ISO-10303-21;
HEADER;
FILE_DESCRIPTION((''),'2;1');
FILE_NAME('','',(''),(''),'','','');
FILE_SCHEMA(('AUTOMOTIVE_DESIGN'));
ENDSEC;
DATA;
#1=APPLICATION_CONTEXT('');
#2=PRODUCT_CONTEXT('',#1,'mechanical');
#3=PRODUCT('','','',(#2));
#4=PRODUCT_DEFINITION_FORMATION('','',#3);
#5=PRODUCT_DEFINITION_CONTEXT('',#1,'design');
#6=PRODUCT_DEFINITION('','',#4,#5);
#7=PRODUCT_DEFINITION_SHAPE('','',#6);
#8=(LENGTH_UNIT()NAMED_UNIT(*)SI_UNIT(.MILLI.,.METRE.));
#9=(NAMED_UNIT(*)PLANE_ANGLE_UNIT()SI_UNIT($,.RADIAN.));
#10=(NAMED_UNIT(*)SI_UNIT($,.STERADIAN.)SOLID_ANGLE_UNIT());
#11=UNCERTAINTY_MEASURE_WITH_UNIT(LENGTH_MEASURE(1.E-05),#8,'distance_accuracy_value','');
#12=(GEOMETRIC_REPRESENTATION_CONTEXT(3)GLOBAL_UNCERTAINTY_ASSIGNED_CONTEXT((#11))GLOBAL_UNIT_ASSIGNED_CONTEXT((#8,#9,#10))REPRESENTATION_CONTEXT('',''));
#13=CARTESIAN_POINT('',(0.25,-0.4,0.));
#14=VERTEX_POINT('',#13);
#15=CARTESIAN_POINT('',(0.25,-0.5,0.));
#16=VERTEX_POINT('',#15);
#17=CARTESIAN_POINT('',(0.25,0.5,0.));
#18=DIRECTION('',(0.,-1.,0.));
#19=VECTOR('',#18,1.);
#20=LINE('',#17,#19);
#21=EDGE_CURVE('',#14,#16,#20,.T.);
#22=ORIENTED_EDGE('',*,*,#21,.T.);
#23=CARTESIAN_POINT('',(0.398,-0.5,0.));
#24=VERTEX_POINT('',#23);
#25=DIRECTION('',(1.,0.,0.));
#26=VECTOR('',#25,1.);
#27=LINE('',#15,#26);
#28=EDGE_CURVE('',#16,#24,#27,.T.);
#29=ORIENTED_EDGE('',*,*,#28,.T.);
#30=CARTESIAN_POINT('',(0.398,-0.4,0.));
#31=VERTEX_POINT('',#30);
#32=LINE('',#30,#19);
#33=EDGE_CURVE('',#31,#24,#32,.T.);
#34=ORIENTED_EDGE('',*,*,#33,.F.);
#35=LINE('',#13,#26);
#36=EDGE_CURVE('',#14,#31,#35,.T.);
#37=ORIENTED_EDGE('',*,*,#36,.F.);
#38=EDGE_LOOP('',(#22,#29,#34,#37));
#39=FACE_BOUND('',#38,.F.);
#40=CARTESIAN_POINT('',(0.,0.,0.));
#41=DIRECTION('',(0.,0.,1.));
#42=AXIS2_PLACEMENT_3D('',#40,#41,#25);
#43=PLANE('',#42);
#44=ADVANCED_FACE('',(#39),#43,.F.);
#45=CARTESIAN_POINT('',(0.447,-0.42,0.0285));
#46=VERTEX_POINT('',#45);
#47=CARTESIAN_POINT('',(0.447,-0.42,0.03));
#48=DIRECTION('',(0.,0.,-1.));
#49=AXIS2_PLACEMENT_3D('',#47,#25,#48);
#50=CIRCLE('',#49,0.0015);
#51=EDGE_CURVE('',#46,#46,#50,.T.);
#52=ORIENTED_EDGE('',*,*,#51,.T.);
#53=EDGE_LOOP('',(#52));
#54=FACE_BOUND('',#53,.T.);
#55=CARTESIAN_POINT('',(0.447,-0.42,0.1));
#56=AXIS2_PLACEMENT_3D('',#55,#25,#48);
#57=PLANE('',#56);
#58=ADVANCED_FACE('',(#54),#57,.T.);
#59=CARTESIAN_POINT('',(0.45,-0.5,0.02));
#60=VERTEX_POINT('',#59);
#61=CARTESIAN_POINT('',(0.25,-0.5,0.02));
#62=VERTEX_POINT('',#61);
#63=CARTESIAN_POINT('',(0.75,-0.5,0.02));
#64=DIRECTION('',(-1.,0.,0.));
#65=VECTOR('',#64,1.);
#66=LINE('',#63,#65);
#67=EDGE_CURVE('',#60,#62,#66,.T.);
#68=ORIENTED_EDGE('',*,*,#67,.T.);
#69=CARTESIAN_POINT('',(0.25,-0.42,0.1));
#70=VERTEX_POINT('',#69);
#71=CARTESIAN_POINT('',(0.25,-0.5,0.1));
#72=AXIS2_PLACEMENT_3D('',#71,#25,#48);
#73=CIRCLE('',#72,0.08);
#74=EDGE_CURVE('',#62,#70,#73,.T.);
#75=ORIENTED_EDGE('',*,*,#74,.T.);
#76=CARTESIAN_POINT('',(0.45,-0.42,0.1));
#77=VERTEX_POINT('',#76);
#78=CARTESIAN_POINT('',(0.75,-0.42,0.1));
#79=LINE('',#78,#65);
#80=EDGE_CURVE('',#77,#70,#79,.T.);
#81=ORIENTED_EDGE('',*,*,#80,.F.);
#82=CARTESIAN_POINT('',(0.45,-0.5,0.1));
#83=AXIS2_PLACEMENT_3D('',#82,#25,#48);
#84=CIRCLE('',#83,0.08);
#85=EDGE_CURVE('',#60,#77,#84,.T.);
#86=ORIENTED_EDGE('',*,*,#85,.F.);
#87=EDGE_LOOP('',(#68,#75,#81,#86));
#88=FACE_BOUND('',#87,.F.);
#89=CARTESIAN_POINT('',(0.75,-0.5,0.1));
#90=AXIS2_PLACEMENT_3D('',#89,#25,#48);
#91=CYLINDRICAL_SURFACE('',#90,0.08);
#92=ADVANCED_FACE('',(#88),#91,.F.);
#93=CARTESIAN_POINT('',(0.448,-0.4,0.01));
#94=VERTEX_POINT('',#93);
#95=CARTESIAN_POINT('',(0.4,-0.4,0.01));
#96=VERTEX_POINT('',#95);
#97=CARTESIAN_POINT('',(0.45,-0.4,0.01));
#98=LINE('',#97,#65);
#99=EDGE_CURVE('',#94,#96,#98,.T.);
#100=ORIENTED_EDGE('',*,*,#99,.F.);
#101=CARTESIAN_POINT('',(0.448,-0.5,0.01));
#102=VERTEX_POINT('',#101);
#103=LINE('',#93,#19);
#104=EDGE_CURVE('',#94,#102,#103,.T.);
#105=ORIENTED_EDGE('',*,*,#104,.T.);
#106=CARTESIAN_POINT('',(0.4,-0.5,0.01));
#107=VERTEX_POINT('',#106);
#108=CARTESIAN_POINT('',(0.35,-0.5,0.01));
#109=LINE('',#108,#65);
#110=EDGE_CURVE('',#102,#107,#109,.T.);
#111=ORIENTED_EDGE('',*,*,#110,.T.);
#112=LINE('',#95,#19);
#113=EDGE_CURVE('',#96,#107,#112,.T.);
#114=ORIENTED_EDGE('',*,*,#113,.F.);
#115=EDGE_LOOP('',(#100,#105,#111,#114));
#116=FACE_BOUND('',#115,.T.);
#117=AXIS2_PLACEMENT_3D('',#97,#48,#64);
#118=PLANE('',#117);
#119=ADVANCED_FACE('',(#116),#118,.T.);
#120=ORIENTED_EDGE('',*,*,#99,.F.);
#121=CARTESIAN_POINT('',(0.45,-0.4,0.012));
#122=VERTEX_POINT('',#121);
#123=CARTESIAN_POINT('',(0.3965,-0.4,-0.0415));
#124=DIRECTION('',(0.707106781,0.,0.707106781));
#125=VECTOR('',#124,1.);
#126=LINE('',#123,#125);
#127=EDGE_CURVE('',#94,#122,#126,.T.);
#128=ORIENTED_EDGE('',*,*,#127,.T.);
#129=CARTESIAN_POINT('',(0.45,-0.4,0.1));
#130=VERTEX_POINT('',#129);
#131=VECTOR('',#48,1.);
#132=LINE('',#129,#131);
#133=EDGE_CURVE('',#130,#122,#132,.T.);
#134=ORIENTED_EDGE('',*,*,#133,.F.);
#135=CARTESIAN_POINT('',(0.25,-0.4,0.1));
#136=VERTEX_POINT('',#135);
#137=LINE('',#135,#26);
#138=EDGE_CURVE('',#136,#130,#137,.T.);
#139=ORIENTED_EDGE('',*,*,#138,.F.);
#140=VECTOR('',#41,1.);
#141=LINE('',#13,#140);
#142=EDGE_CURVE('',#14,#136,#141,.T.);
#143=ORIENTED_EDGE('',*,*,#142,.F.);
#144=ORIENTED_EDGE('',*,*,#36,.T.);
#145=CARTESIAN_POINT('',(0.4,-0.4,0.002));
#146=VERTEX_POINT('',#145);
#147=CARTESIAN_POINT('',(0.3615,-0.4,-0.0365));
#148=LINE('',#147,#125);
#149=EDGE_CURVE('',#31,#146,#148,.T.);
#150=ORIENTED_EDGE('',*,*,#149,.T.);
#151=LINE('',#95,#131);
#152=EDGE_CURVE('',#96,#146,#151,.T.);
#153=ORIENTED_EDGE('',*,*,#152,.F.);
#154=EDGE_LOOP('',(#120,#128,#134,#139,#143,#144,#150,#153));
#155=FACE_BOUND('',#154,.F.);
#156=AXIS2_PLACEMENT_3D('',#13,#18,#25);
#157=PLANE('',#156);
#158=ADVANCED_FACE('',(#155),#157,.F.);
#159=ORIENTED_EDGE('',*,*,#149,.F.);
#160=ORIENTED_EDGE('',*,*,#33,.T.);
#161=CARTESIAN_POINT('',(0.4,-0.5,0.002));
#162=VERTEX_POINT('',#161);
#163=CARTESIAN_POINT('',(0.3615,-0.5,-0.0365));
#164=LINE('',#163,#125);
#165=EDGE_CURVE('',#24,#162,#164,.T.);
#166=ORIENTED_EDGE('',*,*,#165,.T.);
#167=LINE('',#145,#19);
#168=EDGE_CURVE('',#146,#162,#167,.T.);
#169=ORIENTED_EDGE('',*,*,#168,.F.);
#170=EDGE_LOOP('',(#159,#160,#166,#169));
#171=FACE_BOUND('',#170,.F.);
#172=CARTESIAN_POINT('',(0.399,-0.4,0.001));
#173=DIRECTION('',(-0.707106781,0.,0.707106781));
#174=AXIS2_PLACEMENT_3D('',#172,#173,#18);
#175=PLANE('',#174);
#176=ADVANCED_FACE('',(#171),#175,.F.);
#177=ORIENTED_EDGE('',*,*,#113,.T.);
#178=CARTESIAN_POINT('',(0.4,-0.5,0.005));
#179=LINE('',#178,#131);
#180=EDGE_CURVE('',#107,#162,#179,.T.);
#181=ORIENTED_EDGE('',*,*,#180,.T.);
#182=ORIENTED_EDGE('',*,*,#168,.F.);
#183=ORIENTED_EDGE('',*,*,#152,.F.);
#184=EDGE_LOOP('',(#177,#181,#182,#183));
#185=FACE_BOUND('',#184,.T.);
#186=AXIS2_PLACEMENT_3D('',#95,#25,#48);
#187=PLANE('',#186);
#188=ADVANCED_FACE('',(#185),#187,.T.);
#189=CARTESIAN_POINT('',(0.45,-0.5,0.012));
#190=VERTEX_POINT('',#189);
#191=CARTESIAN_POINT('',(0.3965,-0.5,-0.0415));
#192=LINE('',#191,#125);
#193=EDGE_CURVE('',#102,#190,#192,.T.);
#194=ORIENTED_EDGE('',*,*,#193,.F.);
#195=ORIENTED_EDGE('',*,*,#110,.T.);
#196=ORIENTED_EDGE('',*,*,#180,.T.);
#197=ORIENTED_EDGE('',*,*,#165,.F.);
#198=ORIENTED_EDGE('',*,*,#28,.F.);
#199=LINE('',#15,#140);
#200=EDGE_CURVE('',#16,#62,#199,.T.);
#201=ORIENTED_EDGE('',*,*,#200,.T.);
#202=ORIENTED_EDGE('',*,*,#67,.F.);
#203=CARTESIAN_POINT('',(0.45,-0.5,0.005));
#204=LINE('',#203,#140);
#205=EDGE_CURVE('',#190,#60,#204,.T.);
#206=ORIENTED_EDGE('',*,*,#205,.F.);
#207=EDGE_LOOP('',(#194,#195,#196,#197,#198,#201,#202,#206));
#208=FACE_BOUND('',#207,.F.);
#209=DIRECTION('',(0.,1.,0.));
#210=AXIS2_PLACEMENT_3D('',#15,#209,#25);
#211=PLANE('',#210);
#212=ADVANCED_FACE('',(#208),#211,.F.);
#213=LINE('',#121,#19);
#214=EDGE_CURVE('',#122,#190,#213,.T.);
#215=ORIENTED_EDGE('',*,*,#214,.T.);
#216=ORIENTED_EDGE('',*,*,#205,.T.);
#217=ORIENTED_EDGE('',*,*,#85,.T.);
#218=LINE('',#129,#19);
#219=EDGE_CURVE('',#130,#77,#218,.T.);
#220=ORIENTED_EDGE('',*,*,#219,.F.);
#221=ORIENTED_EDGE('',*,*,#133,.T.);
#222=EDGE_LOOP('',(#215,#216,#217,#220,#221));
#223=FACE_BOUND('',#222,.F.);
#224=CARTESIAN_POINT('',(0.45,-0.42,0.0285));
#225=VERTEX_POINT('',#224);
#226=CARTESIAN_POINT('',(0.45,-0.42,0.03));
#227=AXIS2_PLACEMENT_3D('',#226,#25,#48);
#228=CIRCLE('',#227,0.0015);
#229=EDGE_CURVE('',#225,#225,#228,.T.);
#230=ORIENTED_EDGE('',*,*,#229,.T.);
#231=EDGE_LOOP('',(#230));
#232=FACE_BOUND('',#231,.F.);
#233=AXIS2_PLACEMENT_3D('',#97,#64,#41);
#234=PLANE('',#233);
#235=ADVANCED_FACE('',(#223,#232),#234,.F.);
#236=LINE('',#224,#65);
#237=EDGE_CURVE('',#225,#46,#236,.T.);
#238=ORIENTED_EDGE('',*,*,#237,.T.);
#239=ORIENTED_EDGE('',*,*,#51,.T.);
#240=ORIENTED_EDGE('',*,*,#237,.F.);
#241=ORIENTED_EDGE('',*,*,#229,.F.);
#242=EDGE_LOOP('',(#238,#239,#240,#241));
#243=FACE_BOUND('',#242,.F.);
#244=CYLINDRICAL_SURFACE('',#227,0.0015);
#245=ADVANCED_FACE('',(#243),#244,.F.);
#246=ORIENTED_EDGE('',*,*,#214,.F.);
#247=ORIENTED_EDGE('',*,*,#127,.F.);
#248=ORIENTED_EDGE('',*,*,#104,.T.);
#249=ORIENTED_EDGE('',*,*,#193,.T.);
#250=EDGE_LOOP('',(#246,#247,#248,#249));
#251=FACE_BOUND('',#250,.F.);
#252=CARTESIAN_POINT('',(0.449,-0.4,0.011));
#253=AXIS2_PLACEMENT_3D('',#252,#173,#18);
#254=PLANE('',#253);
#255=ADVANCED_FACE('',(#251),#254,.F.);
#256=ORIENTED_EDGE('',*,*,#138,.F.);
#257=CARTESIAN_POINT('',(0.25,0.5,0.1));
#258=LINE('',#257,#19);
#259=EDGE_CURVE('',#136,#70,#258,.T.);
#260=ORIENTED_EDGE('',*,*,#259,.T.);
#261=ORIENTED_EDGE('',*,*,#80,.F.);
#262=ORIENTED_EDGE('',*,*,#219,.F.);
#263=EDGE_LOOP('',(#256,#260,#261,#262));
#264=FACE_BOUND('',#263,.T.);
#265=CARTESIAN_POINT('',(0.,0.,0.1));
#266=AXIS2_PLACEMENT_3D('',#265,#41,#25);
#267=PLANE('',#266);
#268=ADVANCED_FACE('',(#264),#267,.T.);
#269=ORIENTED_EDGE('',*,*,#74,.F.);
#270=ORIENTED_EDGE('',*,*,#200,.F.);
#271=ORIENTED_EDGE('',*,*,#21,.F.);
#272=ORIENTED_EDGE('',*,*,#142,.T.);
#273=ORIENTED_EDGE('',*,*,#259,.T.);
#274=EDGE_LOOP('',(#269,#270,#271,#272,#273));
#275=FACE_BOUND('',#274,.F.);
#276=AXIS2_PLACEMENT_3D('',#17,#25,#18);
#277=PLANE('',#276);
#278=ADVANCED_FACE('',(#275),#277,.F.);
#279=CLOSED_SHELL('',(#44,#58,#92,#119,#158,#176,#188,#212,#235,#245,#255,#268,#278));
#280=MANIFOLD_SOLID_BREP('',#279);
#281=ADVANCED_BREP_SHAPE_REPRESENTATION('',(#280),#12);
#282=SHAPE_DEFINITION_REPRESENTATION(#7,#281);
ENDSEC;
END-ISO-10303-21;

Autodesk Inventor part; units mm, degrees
ref_plane "YZ Plane" through (0, 0, 0) normal (1, 0, 0) x (0, 1, 0)
ref_plane "XZ Plane" through (0, 0, 0) normal (0, 1, 0) x (-1, 0, 0)
sketch "스케치1" plane through (0, 0, 0) normal (0, 0, 1) x (1, 0, 0)
  line L0 (-0.15, 0) -> (0.9, 0) construction
  line L1 (0, -0.7) -> (0, 0.7) construction
  line L2 (0.25, -0.5) -> (0.75, -0.5)
  line L3 (0.75, -0.5) -> (0.75, 0.5)
  line L4 (0.75, 0.5) -> (0.25, 0.5)
  line L5 (0.25, 0.5) -> (0.25, -0.5)
  point P0 (0, 0)
  point P1 (0.5, -0.5)
  dimension "d7" = 0.5
  dimension "d8" = 1
  dimension "d9" = 0.25
extrude "돌출1" add sketch "스케치1" along normal blind 0.1
sketch "스케치3" plane through (0.25, 0.5, 0) normal (0, 1, 0) x (1, 0, 0)
  line L0 (-0.25, 0.7571) -> (-0.25, -0.2929) construction
  line L1 (-0.4, 0) -> (0.65, 0) construction
  line L2 (0.5, 0) -> (0, 0) projected
  line L3 (0, 0) -> (0, -0.1) projected
  line L4 (0.5, -0.1) -> (0, -0.1) projected
  line L5 (0.5, 0) -> (0.5, -0.1) projected
  arc A0 (0, -0.1) -> (0.5, -0.1) centre (0.25, 0.6071) ccw
  line L6 (0.25, -0.1) -> (0.25, 0.4799) construction
  point P0 (-0.25, 0)
  dimension "d10" = 0.75
sketch "스케치5" plane through (0, 0, 0.1) normal (0, 0, 1) x (1, 0, 0)
  line L0 (0.75, -0.5) -> (0.75, 0.5) projected
  line L1 (0.75, 0.5) -> (0.25, 0.5) projected
  line L2 (0.25, 0.5) -> (0.25, -0.5) projected
  line L3 (0.25, -0.5) -> (0.75, -0.5) projected
  line L4 (-0.15, 0) -> (0.9, 0) construction
  line L5 (0, -0.7) -> (0, 0.7) construction
  line L6 (-0.15, 0) -> (0.9, 0) construction
  line L7 (0, 0.7) -> (0, -0.7) construction
  line L8 (0.75, 0.4) -> (0.25, 0.4)
  line L9 (0.75, -0.4) -> (0.25, -0.4)
  point P0 (0, 0)
  dimension "d18" = 1
  dimension "d19" = 0.4
sketch "스케치6" plane through (0.75, -0.5, 0) normal (1, 0, 0) x (0, 0, -1)
  line L0 (0, 0) -> (0, 1) projected
  line L1 (0, 1) -> (-0.1, 1) projected
  line L2 (-0.1, 0) -> (-0.1, 1) projected
  line L3 (0, 0) -> (-0.1, 0) projected
  line L4 (0, 0.5) -> (-0.1, 0.5) construction
  line L5 (0, 0.92) -> (-0.1, 0.92)
  arc A0 (-0.1, 0.92) -> (-0.02, 1) centre (-0.1, 1) ccw
  arc A1 (-0.02, 0) -> (-0.1, 0.08) centre (-0.1, 0) ccw
  point P0 (-0.05, 0.5)
  point P1 (-0.05, 0.92)
  point P2 (-0.02, 0)
  point P3 (-0.1, 0.08)
  dimension "d20" = 0.42
extrude "돌출5" cut sketch "스케치6" against normal up to surface (0.5 mm away) contours L3 L2 A1 | L2 L1 A0
sketch "스케치7" plane through (0.75, -0.5, 0) normal (1, 0, 0) x (0, 0, -1)
  arc A0 (-0.1, 0.92) -> (-0.02, 1) centre (-0.1, 1) ccw projected
  line L0 (-0.1, 0.08) -> (-0.1, 0.92) projected
  arc A1 (-0.02, 0) -> (-0.1, 0.08) centre (-0.1, 0) ccw projected
  line L1 (0, 0) -> (-0.02, 0) projected
  line L2 (0, 0) -> (0, 1) projected
  line L3 (0, 1) -> (-0.02, 1) projected
  line L4 (0, 0.5) -> (-0.2526, 0.5) construction
  line L5 (-0.2526, 0.5) -> (-0.2526, 0.9) construction
  line L6 (-0.2526, 0.9) -> (-0.1, 0.9) construction
  line L7 (-0.2526, 0.1) -> (-0.1, 0.1) construction
  dimension "d23" = 0.4
ref_plane "작업 평면1" through (0.25, -0.4, 0) normal (0, -1, 0) x (1, 0, 0)
sketch "스케치8" plane through (0.25, -0.4, 0) normal (0, -1, 0) x (1, 0, 0)
  line L0 (0, 0.02) -> (0, 0.1) projected
  line L1 (0.5, 0.02) -> (0, 0.02) projected
  line L2 (0.5, 0.1) -> (0.5, 0.02) projected
  line L3 (0, 0.1) -> (0.5, 0.1) projected
  line L4 (0.5, 0.02) -> (0, 0.02) projected
  line L5 (0, 0) -> (0, 0.02) projected
  line L6 (0, 0) -> (0.5, 0) projected
  line L7 (0.5, 0) -> (0.5, 0.02) projected
  point P0 (-0.25, 0)
  point P1 (0.5, 0.02)
  point P2 (0, 0.02)
extrude "돌출6" cut sketch "스케치8" against normal blind 10
sketch "스케치9" plane through (0.25, -0.4, 0) normal (0, 1, 0) x (1, 0, 0)
  line L0 (0.5, 0) -> (0.5, -0.1) projected
  line L1 (0, 0) -> (0.5, 0) projected
  line L2 (0, -0.1) -> (0, 0) projected
  line L3 (0.5, -0.1) -> (0, -0.1) projected
  line L4 (0, 0) -> (0.5, 0) construction
  line L5 (0.2, 0) -> (0.2, -0.1) construction
  line L6 (0.2, -0.1) -> (0.2, -0.0922)
  line L7 (0.2, -0.01) -> (0.15, -0.01)
  line L8 (0.15, -0.01) -> (0.15, 0)
  line L9 (0.4, 0) -> (0.4, -0.1) construction
  line L10 (0.5, -0.1) -> (0, -0.1) construction
  line L11 (0.4, -0.01) -> (0.35, -0.01)
  line L12 (0.35, -0.01) -> (0.35, 0)
  line L13 (0.2, -0.01) -> (0.2, -0.1)
  point P0 (-0.25, 0)
  point P1 (0, -0.05)
  point P2 (0.15, 0)
  dimension "d27" = 0.2
  dimension "d28" = 0.01
  dimension "d29" = 0.2
  dimension "d30" = 0.05
  dimension "d31" = 0.05
extrude "돌출7" cut sketch "스케치9" against normal through all contours L0 L3 L6 L13 L7 L8 L1
chamfer "모따기1" distance 0.002 angle 45 2 edges at (0.45, -0.45, 0.01) (0.4, -0.45, 0)
sketch "스케치10" plane through (0.45, -0.42, 0.1) normal (1, 0, 0) x (0, 0, -1)
  line L0 (0.09, -0.08) -> (0.09, 0.02) projected
  line L1 (0, 0.02) -> (0.088, 0.02) projected
  line L2 (0.09, 0) -> (0.07, 0) construction
  line L3 (0.07, 0) -> (0.07, 0.02) construction
  circle A0 centre (0.07, 0) radius 0.0015
  point P0 (0.1, 0.42)
  dimension "d37" = 0.02
  dimension "d38" = 0.02
  dimension "d39" = 0.003
extrude "돌출8" cut sketch "스케치10" against normal blind 0.003
properties part number "flat_surface_1"
